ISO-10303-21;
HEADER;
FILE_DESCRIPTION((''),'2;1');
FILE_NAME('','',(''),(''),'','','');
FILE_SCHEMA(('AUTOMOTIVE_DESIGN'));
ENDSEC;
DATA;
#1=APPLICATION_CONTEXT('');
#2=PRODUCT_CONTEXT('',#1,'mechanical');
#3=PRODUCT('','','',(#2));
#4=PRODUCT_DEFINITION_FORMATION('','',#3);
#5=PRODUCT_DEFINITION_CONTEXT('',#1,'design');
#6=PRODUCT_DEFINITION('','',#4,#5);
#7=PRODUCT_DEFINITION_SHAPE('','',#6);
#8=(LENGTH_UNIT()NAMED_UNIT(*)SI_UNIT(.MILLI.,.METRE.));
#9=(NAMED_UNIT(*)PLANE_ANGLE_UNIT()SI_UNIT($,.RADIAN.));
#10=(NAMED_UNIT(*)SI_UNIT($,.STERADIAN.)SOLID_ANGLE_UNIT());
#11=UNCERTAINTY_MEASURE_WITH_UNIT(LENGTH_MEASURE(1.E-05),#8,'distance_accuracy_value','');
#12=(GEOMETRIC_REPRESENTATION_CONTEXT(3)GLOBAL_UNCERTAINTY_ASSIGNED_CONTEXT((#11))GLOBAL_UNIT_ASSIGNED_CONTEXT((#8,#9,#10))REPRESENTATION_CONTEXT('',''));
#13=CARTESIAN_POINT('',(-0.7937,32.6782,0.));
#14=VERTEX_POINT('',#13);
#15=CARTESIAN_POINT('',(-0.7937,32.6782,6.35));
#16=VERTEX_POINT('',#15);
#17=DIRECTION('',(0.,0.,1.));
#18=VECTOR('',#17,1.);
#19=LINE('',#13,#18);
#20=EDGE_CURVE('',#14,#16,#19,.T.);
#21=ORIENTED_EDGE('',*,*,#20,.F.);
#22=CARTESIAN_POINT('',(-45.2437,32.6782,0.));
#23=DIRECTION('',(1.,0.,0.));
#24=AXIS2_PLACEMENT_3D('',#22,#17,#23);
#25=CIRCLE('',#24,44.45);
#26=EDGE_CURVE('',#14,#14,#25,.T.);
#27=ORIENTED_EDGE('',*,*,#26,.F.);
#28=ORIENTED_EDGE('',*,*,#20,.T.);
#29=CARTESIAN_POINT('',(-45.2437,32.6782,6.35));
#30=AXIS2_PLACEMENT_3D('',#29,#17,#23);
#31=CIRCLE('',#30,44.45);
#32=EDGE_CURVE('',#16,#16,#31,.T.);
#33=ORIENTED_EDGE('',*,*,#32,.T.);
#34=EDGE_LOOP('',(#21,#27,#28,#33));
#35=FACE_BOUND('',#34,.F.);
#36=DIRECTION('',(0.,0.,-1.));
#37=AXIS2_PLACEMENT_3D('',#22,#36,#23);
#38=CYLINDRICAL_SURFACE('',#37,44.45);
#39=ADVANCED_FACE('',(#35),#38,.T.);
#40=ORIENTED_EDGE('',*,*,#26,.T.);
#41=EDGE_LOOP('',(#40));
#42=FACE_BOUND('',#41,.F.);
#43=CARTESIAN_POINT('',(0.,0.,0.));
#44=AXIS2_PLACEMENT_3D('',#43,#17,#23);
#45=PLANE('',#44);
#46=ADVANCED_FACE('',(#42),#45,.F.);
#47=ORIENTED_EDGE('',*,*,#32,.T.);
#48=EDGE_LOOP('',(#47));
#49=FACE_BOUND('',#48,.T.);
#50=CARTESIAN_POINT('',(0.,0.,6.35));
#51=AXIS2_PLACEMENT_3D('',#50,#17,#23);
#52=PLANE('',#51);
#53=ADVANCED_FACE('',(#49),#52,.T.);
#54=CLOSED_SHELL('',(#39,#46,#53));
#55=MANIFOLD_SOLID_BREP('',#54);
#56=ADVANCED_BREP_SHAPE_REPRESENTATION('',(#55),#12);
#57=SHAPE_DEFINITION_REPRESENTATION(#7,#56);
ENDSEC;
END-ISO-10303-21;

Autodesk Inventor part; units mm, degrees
ref_plane "YZ Plane" through (0, 0, 0) normal (1, 0, 0) x (0, 1, 0)
ref_plane "XZ Plane" through (0, 0, 0) normal (0, 1, 0) x (-1, 0, 0)
ref_plane "XY Plane" through (0, 0, 0) normal (0, 0, 1) x (1, 0, 0)
sketch "Sketch1" plane through (0, 0, 0) normal (0, 0, 1) x (1, 0, 0)
  line L0 (-34.7671, 44.45) -> (-55.7204, 44.45) projected
  line L1 (-45.2437, 44.45) -> (-45.2437, -51.1902) construction
  circle A0 centre (10.6363, 0) radius 3.175 construction
  line L2 (10.6363, 0) -> (-76.563, 0) construction
  circle A1 centre (-45.2437, 32.6782) radius 44.45
  point P0 (0, 0)
  dimension "d0" = 88.9
extrude "Extrusion1" add sketch "Sketch1" along normal blind 6.35
properties part number "panProjectorGear"
